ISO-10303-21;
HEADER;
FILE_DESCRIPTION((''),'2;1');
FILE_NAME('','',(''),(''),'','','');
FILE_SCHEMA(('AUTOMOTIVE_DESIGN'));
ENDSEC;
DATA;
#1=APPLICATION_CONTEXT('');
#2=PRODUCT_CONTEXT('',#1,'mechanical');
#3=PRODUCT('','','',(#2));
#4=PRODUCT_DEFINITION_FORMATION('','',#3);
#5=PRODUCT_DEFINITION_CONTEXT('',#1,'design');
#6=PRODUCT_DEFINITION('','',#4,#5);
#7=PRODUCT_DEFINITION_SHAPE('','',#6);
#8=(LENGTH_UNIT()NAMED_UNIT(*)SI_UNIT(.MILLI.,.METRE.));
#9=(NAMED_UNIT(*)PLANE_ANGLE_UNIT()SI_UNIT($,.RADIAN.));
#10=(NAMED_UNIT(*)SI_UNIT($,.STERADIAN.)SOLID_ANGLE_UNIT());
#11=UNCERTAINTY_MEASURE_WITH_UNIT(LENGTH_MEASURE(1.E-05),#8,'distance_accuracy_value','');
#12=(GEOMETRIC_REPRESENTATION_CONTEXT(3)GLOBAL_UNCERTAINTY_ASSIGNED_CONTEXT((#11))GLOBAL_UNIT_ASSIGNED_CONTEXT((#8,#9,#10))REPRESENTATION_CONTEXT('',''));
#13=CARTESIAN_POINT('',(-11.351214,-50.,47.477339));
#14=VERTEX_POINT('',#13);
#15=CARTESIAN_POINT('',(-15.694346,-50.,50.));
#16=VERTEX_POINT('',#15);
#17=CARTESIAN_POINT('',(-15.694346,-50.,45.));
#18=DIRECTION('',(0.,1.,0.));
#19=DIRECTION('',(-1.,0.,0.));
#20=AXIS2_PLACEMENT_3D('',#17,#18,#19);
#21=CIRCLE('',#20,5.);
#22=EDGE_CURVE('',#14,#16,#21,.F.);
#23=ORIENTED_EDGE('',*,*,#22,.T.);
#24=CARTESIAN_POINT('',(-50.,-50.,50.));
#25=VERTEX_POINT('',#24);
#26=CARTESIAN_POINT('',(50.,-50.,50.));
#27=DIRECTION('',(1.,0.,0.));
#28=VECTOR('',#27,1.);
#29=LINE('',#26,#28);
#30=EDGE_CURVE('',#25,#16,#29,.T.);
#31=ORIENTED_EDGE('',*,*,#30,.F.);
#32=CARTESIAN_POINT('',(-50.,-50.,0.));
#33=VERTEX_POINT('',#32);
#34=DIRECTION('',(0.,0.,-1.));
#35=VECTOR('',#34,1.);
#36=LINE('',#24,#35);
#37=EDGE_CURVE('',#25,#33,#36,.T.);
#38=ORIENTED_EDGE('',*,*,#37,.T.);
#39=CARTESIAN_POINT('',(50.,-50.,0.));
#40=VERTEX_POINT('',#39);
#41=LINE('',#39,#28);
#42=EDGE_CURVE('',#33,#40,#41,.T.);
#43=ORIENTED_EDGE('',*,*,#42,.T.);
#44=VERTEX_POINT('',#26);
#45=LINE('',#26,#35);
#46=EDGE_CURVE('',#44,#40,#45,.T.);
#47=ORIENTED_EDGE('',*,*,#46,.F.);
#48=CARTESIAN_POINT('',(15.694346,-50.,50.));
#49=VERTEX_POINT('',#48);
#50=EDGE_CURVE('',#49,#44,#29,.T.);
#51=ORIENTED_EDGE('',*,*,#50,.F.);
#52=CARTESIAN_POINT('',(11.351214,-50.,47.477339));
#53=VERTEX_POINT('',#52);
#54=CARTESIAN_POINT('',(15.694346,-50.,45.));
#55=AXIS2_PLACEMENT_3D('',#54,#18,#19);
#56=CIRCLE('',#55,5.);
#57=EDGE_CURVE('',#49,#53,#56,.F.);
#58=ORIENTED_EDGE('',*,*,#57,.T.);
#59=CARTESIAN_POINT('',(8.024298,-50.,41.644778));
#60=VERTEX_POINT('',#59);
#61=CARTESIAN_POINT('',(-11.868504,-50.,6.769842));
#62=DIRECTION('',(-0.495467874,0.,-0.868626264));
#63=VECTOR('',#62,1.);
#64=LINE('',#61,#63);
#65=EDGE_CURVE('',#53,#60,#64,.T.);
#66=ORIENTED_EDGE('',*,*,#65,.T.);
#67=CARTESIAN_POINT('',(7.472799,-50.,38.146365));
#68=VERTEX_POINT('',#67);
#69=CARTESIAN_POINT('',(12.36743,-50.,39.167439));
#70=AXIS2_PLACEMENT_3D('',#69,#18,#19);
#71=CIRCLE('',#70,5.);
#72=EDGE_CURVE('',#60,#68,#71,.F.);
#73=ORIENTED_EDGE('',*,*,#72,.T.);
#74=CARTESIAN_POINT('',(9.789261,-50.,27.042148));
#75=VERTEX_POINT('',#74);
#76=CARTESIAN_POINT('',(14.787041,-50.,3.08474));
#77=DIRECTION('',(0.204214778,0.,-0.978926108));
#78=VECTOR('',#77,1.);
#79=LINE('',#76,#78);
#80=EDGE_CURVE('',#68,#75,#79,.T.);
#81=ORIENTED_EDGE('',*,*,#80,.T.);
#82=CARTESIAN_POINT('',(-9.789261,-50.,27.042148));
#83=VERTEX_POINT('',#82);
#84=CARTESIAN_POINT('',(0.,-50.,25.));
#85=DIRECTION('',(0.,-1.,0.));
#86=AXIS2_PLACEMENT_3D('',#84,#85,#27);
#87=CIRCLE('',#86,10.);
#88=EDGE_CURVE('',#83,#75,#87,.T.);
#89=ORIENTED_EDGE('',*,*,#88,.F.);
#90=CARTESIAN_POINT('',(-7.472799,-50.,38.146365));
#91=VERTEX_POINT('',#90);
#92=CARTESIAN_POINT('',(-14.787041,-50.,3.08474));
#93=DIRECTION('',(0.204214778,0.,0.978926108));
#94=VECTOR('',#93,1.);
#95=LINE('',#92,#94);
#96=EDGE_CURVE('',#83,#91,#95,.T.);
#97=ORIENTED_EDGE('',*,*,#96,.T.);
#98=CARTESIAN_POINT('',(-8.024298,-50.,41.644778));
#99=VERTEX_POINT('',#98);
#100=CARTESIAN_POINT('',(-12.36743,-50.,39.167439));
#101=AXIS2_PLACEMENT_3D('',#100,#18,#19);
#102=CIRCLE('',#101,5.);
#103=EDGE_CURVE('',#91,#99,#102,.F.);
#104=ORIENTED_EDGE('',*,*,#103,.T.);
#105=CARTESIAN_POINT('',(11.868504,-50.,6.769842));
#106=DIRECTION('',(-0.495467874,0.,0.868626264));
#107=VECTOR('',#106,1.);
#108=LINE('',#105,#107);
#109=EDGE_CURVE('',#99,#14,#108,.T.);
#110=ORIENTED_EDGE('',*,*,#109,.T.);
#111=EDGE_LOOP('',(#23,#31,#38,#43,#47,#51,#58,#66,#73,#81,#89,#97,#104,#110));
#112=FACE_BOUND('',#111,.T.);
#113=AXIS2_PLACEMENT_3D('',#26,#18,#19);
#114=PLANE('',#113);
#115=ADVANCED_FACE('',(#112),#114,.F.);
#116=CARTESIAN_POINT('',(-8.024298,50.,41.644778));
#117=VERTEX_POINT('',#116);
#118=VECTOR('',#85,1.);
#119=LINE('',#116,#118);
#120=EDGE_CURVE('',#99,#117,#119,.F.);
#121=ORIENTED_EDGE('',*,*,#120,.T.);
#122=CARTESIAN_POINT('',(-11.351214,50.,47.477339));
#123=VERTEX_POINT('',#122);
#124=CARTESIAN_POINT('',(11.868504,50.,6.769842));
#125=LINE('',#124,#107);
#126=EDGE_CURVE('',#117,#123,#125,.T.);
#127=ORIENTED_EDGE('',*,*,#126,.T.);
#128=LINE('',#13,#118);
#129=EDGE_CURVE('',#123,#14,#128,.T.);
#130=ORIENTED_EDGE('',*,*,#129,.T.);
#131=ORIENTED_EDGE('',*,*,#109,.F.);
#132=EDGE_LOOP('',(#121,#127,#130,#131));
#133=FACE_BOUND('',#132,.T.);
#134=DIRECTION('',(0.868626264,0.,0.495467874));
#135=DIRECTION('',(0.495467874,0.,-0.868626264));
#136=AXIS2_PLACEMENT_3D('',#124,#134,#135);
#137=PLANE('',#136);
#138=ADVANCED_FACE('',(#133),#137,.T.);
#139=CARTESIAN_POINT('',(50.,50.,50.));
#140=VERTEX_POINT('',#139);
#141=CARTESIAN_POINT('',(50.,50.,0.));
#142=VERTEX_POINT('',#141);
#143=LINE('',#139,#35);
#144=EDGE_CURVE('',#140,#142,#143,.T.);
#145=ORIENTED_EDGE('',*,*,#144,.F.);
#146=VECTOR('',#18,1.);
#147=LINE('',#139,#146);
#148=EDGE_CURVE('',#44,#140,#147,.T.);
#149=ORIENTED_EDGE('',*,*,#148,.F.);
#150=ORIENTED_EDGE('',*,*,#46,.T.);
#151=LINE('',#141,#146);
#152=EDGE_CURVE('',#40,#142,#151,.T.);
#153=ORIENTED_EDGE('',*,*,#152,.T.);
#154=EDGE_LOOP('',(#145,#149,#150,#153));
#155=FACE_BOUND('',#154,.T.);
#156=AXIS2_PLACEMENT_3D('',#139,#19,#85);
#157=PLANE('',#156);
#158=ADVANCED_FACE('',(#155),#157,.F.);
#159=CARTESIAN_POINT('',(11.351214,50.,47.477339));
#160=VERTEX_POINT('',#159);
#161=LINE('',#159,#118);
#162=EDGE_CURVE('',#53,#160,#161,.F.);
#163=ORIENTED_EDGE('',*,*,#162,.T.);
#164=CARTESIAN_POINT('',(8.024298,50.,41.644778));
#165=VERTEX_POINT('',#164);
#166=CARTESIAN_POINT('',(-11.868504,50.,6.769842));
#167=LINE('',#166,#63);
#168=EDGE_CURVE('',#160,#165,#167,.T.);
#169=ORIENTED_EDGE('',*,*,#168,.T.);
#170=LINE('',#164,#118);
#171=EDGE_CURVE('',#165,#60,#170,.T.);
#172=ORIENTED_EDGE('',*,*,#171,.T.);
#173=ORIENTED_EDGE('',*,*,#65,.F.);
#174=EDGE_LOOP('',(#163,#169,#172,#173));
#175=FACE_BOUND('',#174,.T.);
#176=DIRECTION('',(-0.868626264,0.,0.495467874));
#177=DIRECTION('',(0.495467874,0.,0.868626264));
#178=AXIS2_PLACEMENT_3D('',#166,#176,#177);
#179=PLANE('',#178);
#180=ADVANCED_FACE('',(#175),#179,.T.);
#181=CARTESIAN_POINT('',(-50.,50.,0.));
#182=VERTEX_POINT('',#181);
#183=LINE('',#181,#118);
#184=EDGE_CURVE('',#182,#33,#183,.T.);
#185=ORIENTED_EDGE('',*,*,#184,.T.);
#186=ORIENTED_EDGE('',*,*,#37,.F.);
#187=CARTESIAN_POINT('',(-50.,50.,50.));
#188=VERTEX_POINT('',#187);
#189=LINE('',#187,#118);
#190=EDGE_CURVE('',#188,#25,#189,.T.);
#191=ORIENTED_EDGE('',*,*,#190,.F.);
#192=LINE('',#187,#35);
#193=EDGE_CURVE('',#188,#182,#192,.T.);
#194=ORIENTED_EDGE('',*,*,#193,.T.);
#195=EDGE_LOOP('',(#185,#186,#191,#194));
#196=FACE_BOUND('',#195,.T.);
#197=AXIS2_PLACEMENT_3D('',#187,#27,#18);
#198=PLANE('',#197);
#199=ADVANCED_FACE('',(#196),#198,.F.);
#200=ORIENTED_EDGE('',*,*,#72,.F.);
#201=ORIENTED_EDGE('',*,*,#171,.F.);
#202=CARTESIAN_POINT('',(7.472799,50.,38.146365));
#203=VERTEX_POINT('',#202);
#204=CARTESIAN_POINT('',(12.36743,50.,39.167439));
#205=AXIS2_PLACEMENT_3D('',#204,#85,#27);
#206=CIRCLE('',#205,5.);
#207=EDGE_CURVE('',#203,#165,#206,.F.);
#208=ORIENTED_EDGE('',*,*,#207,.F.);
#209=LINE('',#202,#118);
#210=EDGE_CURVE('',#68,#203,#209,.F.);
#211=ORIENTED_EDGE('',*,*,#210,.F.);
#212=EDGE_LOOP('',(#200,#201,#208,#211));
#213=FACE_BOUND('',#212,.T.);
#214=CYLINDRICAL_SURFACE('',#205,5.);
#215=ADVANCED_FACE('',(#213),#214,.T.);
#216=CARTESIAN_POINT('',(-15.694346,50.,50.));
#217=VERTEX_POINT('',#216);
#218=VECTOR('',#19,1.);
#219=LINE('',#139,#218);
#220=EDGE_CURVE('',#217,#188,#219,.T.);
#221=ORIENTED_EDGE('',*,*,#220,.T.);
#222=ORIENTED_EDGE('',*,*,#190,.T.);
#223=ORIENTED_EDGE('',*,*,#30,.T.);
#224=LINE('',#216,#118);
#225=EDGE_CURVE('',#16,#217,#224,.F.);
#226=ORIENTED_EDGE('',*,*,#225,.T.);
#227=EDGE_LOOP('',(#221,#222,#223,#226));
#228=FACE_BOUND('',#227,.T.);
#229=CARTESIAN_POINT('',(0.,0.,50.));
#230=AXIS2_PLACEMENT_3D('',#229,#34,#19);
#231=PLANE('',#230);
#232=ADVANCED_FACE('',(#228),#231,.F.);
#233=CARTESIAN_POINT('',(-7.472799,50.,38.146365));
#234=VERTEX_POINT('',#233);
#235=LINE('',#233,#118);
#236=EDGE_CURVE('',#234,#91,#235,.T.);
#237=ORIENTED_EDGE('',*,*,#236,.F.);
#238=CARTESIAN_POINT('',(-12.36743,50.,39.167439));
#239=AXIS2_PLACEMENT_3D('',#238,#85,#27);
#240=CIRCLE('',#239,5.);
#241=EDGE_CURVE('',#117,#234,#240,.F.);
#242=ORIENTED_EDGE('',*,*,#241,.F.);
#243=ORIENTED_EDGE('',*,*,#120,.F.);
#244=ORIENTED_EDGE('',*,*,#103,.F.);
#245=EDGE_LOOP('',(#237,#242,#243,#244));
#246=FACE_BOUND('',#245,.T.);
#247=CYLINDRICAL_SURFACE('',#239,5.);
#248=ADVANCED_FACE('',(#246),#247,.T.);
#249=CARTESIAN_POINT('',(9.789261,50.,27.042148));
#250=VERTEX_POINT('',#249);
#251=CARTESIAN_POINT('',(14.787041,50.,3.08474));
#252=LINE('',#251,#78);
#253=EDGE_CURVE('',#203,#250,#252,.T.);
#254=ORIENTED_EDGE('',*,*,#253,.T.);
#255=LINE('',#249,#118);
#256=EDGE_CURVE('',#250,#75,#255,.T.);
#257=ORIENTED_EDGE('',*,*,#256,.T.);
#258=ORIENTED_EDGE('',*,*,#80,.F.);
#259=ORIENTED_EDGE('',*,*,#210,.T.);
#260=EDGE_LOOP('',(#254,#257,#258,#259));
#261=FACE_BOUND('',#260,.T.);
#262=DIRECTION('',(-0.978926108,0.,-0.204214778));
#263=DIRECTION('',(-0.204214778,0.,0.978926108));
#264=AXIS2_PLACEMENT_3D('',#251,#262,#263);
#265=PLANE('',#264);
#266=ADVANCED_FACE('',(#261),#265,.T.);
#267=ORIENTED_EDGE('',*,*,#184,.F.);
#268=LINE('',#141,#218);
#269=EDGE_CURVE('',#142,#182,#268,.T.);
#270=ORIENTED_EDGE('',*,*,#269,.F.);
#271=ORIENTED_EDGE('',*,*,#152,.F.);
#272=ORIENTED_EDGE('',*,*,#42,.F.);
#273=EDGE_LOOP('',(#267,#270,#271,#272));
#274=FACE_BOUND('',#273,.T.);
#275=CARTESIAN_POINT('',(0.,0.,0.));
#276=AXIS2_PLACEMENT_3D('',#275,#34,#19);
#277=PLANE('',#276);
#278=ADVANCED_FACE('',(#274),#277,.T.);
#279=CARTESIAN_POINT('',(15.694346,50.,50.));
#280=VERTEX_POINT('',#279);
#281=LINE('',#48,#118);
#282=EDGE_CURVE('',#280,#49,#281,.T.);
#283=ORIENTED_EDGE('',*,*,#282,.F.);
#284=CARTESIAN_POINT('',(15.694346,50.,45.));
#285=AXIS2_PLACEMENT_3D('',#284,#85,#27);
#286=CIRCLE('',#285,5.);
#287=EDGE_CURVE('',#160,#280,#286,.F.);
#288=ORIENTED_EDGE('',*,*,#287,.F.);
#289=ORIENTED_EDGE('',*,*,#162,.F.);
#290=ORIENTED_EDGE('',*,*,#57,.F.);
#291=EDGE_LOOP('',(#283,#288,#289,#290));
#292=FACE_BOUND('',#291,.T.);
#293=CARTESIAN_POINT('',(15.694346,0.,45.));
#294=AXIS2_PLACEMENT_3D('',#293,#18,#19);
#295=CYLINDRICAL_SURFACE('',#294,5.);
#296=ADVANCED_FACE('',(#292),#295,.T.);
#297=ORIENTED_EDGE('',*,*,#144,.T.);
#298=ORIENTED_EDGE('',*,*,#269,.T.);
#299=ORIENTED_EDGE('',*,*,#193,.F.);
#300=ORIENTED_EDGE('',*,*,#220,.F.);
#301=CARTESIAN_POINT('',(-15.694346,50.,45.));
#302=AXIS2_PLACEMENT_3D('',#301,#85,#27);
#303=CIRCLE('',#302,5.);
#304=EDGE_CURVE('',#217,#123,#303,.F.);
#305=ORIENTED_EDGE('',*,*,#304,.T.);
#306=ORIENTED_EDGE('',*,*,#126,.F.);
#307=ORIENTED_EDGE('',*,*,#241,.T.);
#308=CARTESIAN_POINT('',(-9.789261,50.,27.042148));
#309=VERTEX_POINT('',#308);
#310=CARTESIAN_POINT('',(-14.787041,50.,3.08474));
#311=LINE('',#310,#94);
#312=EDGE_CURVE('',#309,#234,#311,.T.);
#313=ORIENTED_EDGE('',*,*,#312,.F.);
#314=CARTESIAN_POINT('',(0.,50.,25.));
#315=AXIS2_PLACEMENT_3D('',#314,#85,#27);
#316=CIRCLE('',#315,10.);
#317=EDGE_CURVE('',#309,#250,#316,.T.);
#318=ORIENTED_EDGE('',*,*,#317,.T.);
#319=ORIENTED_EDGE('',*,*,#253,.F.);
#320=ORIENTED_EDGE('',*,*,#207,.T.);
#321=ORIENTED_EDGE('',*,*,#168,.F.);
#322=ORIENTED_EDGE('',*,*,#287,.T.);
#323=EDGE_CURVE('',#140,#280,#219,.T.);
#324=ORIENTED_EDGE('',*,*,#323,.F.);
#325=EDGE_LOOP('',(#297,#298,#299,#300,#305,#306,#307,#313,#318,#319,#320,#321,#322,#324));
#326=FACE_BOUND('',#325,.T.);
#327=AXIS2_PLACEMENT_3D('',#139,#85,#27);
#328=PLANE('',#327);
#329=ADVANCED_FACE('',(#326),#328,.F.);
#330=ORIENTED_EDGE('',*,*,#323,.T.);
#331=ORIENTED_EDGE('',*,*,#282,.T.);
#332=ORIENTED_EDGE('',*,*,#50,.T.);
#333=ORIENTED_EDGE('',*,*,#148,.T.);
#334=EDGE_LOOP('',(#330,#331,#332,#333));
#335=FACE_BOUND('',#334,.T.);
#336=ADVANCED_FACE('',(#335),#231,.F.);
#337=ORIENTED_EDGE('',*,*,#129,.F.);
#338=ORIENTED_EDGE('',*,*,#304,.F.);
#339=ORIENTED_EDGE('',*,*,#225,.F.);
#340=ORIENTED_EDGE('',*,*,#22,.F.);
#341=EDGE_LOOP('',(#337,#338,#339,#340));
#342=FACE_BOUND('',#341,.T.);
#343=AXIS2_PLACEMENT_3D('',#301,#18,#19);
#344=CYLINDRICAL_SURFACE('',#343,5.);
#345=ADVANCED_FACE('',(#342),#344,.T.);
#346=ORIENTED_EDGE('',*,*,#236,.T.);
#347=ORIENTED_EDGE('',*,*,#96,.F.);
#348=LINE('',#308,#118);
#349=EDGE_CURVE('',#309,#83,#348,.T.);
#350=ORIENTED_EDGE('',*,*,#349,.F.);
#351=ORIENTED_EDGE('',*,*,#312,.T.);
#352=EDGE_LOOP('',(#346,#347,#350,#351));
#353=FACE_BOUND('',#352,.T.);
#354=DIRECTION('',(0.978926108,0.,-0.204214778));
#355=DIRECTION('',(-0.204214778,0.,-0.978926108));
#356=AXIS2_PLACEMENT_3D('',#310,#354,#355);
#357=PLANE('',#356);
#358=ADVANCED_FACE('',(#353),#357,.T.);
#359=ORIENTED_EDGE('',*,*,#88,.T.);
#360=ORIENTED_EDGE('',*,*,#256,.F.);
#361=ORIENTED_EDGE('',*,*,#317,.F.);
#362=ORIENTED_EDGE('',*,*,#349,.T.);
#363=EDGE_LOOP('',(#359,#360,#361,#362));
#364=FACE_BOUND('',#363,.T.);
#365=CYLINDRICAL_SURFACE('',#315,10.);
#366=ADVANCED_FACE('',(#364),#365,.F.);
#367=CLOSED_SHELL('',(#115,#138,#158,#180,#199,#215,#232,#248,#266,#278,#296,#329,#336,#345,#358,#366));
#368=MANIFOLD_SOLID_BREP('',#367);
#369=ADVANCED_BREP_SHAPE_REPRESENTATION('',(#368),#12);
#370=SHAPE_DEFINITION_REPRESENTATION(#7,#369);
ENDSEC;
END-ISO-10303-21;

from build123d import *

# Parameters (mm, degrees)
SKIZZE1_W                       = 100
SKIZZE1_H                       = 100
AUFSATZ_LINEAR_AUSTRAGEN1_DEPTH = 50
SCHNITT_LINEAR_AUSTRAGEN1_DEPTH = 101
VERRUNDUNG1_R                   = 5


with BuildPart() as part:
    # Skizze1 → Aufsatz-Linear austragen1 (new body)
    with BuildSketch(Plane.XY):
        Rectangle(SKIZZE1_W, SKIZZE1_H)
    extrude(amount=AUFSATZ_LINEAR_AUSTRAGEN1_DEPTH)

    # Skizze2 → Schnitt-Linear austragen1 (cut, through all)
    with BuildSketch(Plane.XZ.offset(50)):
        with BuildLine():
            ThreePointArc((-9.789261077, 27.042147785), (0, 15), (9.789261077, 27.042147785))
            Line((9.789261077, 27.042147785), (7.086110247, 40))
            Line((7.086110247, 40), (12.79015, 50))
            Line((12.79015, 50), (-12.79015, 50))
            Line((-12.79015, 50), (-7.086110247, 40))
            Line((-7.086110247, 40), (-9.789261077, 27.042147785))
        make_face()
    extrude(amount=-SCHNITT_LINEAR_AUSTRAGEN1_DEPTH, mode=Mode.SUBTRACT)

    # Verrundung1
    verrundung1_edges = [part.edges().sort_by_distance(p)[0] for p in [
        (-12.79015, 0, 50),
        (12.79015, 0, 50),
        (7.086110247, 0, 40),
        (-7.086110247, 0, 40),
    ]]
    fillet(verrundung1_edges, radius=VERRUNDUNG1_R)


solid = part.part
